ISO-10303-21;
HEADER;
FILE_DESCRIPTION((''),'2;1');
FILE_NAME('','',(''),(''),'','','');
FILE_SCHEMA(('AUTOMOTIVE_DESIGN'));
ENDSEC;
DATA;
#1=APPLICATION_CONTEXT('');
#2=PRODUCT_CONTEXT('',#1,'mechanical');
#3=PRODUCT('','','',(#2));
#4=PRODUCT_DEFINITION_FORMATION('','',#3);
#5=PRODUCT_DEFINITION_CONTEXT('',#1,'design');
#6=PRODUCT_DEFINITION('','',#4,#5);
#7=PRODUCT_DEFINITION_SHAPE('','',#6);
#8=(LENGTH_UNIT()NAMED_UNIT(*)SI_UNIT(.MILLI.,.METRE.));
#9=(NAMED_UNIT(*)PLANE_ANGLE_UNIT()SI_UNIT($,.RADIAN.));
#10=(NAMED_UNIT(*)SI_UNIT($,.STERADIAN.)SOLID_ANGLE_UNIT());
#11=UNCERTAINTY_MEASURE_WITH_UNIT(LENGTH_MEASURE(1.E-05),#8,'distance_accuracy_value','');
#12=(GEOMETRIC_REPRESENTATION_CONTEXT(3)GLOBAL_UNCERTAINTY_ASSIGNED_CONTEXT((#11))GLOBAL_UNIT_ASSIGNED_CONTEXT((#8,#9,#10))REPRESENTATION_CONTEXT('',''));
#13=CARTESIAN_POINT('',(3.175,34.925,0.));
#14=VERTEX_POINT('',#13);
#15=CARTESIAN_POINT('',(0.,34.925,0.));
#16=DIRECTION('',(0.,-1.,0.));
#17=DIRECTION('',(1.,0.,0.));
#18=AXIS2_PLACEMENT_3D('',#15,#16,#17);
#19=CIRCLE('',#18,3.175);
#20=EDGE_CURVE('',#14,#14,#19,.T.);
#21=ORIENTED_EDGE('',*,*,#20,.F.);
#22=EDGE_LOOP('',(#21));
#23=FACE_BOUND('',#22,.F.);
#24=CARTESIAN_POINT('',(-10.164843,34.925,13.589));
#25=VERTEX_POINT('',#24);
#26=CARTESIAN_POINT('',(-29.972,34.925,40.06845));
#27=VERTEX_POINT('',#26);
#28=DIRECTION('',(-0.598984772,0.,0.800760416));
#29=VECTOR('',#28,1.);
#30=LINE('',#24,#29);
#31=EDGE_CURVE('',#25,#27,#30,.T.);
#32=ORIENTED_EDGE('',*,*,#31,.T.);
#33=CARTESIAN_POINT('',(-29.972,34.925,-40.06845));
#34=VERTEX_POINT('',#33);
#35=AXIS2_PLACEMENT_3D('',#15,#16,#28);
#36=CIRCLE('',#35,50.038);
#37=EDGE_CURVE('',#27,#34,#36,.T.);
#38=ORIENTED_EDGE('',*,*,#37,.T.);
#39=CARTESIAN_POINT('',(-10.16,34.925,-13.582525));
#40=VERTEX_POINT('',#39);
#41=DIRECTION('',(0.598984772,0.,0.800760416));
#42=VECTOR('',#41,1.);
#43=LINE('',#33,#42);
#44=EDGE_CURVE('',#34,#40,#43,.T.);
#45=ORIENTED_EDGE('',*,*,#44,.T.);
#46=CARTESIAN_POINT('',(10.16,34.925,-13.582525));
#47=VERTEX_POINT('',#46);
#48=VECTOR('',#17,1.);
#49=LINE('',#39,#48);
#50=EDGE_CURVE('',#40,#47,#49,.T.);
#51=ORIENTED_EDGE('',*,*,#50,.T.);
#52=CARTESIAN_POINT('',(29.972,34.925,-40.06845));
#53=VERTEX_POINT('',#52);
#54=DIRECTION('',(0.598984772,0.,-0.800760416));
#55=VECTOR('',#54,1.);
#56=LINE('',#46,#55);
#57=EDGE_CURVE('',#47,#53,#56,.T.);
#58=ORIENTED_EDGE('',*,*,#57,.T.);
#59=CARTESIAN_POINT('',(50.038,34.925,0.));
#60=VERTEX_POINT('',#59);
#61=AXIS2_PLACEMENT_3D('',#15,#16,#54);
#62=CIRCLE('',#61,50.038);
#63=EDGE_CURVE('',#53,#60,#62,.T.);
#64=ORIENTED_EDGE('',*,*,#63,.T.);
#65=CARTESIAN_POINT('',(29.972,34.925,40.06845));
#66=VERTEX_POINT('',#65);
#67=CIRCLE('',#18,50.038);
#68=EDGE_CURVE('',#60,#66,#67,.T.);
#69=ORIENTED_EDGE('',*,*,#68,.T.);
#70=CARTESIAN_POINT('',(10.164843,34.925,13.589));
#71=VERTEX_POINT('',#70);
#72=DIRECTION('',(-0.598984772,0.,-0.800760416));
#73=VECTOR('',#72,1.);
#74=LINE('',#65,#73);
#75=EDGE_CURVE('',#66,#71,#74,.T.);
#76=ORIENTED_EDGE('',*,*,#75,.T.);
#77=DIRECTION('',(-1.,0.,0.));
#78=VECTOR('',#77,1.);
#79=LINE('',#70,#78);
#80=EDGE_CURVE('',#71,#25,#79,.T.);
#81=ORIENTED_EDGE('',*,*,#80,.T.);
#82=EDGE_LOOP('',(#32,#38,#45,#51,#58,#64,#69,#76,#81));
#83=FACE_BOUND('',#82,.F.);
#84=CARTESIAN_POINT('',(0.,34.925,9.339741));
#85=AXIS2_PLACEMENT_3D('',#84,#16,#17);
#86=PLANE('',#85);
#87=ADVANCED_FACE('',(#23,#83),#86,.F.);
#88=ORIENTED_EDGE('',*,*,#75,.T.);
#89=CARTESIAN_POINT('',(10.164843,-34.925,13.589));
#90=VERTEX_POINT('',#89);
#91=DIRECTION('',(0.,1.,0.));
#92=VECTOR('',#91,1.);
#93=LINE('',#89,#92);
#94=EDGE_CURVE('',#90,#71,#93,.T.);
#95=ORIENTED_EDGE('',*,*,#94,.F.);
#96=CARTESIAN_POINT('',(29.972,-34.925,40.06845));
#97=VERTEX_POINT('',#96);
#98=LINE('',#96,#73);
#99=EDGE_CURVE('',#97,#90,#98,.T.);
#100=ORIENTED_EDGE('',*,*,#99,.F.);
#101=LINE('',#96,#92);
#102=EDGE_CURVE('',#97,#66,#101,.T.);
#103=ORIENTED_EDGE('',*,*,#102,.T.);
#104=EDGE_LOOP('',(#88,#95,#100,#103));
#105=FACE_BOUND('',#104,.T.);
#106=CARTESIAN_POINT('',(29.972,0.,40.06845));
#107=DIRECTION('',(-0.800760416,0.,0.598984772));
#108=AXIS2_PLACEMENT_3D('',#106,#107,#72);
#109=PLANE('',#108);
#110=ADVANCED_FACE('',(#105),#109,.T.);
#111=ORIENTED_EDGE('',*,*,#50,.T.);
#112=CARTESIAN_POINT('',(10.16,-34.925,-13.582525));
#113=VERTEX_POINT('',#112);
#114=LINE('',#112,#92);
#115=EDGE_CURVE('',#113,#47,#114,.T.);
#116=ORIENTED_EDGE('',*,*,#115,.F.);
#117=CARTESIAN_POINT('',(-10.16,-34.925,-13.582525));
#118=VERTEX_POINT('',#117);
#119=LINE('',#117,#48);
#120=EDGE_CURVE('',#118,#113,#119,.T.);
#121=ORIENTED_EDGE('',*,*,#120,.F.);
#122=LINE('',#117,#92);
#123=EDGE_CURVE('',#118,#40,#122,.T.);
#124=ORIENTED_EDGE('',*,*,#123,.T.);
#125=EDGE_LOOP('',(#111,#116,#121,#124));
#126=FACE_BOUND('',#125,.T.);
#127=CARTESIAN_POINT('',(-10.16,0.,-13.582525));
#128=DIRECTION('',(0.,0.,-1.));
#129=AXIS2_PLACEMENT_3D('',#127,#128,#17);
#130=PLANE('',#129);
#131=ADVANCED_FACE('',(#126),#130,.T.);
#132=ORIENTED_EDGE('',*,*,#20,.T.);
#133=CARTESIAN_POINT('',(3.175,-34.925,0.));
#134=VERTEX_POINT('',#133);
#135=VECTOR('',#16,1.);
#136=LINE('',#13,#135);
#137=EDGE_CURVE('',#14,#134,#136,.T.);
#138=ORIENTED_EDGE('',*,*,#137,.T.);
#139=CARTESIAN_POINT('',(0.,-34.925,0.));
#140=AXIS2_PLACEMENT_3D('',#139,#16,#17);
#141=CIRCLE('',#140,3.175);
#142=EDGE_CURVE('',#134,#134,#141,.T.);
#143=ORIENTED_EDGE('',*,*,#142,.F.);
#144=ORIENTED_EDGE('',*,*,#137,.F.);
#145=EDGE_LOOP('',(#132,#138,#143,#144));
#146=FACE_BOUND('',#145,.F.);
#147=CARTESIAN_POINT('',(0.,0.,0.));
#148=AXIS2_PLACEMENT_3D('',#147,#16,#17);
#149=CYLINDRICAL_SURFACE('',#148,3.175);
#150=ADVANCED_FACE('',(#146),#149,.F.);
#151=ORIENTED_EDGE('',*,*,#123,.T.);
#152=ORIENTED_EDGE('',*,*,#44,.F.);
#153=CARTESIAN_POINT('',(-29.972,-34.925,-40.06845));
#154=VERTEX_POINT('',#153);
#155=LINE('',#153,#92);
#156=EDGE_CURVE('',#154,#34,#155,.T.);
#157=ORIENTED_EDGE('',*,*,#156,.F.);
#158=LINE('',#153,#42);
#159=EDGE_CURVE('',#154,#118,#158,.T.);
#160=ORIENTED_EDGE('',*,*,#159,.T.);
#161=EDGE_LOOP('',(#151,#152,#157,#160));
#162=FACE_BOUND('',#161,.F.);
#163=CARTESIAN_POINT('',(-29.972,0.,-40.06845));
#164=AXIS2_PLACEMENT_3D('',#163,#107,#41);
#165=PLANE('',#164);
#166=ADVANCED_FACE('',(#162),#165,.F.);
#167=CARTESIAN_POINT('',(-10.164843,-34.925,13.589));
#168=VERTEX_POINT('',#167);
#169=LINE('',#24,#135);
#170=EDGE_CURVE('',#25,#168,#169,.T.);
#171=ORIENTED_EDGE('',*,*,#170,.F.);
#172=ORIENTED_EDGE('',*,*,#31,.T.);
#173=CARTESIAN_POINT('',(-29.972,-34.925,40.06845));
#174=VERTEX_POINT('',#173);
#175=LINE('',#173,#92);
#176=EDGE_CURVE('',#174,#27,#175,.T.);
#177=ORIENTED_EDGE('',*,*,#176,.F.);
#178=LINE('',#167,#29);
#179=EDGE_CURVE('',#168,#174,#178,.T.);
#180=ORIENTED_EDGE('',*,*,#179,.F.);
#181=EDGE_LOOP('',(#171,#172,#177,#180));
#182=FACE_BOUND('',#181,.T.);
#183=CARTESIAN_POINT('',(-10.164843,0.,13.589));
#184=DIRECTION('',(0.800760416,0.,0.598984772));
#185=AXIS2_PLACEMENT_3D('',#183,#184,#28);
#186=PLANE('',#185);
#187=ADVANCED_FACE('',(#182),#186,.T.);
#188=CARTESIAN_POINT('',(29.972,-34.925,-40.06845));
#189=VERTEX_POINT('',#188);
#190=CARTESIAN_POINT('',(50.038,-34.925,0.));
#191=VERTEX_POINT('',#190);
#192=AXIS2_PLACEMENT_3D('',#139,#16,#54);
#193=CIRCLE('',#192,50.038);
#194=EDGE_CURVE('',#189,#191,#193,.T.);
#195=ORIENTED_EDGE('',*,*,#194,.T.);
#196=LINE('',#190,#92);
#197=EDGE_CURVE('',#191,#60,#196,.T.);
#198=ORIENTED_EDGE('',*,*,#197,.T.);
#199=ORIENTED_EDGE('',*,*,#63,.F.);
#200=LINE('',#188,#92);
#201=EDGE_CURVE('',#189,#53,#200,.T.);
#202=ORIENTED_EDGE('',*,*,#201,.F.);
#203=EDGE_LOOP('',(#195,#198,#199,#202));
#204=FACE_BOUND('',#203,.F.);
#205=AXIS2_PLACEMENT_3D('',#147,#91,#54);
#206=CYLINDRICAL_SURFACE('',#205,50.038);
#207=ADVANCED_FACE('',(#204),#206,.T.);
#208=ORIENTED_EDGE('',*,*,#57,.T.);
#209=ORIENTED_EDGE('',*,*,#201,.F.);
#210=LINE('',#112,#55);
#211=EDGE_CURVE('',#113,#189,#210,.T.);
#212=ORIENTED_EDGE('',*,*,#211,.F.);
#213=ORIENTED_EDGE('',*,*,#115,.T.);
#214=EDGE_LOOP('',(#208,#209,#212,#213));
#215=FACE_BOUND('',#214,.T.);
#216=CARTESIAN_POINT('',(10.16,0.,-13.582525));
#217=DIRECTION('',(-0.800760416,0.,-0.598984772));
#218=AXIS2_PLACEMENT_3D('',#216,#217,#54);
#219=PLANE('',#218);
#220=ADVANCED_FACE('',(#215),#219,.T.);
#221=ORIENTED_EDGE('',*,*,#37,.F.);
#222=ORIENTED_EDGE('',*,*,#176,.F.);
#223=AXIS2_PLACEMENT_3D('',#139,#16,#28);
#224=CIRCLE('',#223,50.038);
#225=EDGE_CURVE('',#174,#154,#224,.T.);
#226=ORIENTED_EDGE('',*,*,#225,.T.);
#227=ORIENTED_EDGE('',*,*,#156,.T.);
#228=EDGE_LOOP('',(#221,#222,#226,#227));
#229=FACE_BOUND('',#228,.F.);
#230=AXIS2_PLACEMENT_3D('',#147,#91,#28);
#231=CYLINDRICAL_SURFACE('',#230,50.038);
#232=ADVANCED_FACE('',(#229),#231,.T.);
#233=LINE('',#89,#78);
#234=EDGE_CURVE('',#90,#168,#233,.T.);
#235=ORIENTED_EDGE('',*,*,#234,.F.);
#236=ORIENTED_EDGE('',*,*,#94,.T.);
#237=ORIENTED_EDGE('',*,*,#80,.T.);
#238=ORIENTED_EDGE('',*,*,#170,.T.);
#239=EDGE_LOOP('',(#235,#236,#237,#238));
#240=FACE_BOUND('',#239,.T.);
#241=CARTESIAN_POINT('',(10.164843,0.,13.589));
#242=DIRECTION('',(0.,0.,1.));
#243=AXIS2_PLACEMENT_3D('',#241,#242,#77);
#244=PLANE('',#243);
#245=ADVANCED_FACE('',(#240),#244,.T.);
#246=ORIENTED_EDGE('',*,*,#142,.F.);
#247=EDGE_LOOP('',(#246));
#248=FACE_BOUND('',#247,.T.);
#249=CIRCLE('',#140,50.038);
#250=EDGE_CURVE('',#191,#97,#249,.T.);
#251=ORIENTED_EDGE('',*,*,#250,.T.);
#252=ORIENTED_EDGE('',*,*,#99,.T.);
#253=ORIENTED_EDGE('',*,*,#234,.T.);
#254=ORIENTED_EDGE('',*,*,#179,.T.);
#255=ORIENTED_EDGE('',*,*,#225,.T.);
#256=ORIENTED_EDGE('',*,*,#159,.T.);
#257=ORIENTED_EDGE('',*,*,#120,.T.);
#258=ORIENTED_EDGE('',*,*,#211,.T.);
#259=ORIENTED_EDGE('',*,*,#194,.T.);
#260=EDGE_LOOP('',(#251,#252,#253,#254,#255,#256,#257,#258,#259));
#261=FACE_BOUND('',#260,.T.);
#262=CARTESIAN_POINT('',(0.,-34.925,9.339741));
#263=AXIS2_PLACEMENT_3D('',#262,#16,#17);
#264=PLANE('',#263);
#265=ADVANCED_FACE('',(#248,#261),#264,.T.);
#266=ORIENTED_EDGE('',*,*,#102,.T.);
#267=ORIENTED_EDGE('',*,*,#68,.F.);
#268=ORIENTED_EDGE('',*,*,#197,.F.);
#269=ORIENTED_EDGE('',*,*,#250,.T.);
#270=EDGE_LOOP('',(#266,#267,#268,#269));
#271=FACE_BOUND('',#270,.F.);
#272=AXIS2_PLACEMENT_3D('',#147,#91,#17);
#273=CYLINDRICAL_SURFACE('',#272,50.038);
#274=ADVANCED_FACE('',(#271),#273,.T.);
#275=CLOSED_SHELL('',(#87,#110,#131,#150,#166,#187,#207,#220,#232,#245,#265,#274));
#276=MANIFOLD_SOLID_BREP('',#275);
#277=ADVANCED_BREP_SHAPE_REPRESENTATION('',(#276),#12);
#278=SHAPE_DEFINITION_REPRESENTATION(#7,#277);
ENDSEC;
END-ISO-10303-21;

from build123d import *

# Parameters (mm, degrees)
F1_DEPTH = 34.925
F2_D     = 3.556
F2_DEPTH = 34.926
F3_R     = 3.175
F4_DEPTH = 34.925


with BuildPart() as f1:
    # F0 (on Front) → F1 (new body, symmetric)
    with BuildSketch(Plane.XZ):
        Polygon((0, 0), (10.1648431926, 13.589), (-10.1648431926, 13.589), align=None)
        Polygon((-10.16, -13.5825253163), (10.16, -13.5825253163), (0, 0), align=None)
        with BuildLine():
            ThreePointArc((29.972, -40.068449683), (44.7411464985, -22.4060539587), (50.038, 0))
            ThreePointArc((50.038, 0), (44.7411464985, 22.4060539587), (29.972, 40.068449683))
            Line((29.972, 40.068449683), (10.1648431926, 13.589))
            Line((10.1648431926, 13.589), (0, 0))
            Line((0, 0), (10.16, -13.5825253163))
            Line((10.16, -13.5825253163), (29.972, -40.068449683))
        make_face()
        with BuildLine():
            Line((-10.1648431926, 13.589), (-29.972, 40.068449683))
            ThreePointArc((-29.972, 40.068449683), (-50.038, 0), (-29.972, -40.068449683))
            Line((-29.972, -40.068449683), (-10.16, -13.5825253163))
            Line((-10.16, -13.5825253163), (0, 0))
            Line((0, 0), (-10.1648431926, 13.589))
        make_face()
    extrude(amount=F1_DEPTH, both=True)

    # F2 (through all, one way)
    with BuildSketch(Plane.XZ):
        with Locations((0, 0)):
            Circle(F2_D / 2)
    extrude(amount=-F2_DEPTH, mode=Mode.SUBTRACT)

    # F3 (on Front) → F4 (cut, symmetric)
    with BuildSketch(Plane.XZ):
        Circle(F3_R)
    extrude(amount=F4_DEPTH, both=True, mode=Mode.SUBTRACT)


solid = f1.part
